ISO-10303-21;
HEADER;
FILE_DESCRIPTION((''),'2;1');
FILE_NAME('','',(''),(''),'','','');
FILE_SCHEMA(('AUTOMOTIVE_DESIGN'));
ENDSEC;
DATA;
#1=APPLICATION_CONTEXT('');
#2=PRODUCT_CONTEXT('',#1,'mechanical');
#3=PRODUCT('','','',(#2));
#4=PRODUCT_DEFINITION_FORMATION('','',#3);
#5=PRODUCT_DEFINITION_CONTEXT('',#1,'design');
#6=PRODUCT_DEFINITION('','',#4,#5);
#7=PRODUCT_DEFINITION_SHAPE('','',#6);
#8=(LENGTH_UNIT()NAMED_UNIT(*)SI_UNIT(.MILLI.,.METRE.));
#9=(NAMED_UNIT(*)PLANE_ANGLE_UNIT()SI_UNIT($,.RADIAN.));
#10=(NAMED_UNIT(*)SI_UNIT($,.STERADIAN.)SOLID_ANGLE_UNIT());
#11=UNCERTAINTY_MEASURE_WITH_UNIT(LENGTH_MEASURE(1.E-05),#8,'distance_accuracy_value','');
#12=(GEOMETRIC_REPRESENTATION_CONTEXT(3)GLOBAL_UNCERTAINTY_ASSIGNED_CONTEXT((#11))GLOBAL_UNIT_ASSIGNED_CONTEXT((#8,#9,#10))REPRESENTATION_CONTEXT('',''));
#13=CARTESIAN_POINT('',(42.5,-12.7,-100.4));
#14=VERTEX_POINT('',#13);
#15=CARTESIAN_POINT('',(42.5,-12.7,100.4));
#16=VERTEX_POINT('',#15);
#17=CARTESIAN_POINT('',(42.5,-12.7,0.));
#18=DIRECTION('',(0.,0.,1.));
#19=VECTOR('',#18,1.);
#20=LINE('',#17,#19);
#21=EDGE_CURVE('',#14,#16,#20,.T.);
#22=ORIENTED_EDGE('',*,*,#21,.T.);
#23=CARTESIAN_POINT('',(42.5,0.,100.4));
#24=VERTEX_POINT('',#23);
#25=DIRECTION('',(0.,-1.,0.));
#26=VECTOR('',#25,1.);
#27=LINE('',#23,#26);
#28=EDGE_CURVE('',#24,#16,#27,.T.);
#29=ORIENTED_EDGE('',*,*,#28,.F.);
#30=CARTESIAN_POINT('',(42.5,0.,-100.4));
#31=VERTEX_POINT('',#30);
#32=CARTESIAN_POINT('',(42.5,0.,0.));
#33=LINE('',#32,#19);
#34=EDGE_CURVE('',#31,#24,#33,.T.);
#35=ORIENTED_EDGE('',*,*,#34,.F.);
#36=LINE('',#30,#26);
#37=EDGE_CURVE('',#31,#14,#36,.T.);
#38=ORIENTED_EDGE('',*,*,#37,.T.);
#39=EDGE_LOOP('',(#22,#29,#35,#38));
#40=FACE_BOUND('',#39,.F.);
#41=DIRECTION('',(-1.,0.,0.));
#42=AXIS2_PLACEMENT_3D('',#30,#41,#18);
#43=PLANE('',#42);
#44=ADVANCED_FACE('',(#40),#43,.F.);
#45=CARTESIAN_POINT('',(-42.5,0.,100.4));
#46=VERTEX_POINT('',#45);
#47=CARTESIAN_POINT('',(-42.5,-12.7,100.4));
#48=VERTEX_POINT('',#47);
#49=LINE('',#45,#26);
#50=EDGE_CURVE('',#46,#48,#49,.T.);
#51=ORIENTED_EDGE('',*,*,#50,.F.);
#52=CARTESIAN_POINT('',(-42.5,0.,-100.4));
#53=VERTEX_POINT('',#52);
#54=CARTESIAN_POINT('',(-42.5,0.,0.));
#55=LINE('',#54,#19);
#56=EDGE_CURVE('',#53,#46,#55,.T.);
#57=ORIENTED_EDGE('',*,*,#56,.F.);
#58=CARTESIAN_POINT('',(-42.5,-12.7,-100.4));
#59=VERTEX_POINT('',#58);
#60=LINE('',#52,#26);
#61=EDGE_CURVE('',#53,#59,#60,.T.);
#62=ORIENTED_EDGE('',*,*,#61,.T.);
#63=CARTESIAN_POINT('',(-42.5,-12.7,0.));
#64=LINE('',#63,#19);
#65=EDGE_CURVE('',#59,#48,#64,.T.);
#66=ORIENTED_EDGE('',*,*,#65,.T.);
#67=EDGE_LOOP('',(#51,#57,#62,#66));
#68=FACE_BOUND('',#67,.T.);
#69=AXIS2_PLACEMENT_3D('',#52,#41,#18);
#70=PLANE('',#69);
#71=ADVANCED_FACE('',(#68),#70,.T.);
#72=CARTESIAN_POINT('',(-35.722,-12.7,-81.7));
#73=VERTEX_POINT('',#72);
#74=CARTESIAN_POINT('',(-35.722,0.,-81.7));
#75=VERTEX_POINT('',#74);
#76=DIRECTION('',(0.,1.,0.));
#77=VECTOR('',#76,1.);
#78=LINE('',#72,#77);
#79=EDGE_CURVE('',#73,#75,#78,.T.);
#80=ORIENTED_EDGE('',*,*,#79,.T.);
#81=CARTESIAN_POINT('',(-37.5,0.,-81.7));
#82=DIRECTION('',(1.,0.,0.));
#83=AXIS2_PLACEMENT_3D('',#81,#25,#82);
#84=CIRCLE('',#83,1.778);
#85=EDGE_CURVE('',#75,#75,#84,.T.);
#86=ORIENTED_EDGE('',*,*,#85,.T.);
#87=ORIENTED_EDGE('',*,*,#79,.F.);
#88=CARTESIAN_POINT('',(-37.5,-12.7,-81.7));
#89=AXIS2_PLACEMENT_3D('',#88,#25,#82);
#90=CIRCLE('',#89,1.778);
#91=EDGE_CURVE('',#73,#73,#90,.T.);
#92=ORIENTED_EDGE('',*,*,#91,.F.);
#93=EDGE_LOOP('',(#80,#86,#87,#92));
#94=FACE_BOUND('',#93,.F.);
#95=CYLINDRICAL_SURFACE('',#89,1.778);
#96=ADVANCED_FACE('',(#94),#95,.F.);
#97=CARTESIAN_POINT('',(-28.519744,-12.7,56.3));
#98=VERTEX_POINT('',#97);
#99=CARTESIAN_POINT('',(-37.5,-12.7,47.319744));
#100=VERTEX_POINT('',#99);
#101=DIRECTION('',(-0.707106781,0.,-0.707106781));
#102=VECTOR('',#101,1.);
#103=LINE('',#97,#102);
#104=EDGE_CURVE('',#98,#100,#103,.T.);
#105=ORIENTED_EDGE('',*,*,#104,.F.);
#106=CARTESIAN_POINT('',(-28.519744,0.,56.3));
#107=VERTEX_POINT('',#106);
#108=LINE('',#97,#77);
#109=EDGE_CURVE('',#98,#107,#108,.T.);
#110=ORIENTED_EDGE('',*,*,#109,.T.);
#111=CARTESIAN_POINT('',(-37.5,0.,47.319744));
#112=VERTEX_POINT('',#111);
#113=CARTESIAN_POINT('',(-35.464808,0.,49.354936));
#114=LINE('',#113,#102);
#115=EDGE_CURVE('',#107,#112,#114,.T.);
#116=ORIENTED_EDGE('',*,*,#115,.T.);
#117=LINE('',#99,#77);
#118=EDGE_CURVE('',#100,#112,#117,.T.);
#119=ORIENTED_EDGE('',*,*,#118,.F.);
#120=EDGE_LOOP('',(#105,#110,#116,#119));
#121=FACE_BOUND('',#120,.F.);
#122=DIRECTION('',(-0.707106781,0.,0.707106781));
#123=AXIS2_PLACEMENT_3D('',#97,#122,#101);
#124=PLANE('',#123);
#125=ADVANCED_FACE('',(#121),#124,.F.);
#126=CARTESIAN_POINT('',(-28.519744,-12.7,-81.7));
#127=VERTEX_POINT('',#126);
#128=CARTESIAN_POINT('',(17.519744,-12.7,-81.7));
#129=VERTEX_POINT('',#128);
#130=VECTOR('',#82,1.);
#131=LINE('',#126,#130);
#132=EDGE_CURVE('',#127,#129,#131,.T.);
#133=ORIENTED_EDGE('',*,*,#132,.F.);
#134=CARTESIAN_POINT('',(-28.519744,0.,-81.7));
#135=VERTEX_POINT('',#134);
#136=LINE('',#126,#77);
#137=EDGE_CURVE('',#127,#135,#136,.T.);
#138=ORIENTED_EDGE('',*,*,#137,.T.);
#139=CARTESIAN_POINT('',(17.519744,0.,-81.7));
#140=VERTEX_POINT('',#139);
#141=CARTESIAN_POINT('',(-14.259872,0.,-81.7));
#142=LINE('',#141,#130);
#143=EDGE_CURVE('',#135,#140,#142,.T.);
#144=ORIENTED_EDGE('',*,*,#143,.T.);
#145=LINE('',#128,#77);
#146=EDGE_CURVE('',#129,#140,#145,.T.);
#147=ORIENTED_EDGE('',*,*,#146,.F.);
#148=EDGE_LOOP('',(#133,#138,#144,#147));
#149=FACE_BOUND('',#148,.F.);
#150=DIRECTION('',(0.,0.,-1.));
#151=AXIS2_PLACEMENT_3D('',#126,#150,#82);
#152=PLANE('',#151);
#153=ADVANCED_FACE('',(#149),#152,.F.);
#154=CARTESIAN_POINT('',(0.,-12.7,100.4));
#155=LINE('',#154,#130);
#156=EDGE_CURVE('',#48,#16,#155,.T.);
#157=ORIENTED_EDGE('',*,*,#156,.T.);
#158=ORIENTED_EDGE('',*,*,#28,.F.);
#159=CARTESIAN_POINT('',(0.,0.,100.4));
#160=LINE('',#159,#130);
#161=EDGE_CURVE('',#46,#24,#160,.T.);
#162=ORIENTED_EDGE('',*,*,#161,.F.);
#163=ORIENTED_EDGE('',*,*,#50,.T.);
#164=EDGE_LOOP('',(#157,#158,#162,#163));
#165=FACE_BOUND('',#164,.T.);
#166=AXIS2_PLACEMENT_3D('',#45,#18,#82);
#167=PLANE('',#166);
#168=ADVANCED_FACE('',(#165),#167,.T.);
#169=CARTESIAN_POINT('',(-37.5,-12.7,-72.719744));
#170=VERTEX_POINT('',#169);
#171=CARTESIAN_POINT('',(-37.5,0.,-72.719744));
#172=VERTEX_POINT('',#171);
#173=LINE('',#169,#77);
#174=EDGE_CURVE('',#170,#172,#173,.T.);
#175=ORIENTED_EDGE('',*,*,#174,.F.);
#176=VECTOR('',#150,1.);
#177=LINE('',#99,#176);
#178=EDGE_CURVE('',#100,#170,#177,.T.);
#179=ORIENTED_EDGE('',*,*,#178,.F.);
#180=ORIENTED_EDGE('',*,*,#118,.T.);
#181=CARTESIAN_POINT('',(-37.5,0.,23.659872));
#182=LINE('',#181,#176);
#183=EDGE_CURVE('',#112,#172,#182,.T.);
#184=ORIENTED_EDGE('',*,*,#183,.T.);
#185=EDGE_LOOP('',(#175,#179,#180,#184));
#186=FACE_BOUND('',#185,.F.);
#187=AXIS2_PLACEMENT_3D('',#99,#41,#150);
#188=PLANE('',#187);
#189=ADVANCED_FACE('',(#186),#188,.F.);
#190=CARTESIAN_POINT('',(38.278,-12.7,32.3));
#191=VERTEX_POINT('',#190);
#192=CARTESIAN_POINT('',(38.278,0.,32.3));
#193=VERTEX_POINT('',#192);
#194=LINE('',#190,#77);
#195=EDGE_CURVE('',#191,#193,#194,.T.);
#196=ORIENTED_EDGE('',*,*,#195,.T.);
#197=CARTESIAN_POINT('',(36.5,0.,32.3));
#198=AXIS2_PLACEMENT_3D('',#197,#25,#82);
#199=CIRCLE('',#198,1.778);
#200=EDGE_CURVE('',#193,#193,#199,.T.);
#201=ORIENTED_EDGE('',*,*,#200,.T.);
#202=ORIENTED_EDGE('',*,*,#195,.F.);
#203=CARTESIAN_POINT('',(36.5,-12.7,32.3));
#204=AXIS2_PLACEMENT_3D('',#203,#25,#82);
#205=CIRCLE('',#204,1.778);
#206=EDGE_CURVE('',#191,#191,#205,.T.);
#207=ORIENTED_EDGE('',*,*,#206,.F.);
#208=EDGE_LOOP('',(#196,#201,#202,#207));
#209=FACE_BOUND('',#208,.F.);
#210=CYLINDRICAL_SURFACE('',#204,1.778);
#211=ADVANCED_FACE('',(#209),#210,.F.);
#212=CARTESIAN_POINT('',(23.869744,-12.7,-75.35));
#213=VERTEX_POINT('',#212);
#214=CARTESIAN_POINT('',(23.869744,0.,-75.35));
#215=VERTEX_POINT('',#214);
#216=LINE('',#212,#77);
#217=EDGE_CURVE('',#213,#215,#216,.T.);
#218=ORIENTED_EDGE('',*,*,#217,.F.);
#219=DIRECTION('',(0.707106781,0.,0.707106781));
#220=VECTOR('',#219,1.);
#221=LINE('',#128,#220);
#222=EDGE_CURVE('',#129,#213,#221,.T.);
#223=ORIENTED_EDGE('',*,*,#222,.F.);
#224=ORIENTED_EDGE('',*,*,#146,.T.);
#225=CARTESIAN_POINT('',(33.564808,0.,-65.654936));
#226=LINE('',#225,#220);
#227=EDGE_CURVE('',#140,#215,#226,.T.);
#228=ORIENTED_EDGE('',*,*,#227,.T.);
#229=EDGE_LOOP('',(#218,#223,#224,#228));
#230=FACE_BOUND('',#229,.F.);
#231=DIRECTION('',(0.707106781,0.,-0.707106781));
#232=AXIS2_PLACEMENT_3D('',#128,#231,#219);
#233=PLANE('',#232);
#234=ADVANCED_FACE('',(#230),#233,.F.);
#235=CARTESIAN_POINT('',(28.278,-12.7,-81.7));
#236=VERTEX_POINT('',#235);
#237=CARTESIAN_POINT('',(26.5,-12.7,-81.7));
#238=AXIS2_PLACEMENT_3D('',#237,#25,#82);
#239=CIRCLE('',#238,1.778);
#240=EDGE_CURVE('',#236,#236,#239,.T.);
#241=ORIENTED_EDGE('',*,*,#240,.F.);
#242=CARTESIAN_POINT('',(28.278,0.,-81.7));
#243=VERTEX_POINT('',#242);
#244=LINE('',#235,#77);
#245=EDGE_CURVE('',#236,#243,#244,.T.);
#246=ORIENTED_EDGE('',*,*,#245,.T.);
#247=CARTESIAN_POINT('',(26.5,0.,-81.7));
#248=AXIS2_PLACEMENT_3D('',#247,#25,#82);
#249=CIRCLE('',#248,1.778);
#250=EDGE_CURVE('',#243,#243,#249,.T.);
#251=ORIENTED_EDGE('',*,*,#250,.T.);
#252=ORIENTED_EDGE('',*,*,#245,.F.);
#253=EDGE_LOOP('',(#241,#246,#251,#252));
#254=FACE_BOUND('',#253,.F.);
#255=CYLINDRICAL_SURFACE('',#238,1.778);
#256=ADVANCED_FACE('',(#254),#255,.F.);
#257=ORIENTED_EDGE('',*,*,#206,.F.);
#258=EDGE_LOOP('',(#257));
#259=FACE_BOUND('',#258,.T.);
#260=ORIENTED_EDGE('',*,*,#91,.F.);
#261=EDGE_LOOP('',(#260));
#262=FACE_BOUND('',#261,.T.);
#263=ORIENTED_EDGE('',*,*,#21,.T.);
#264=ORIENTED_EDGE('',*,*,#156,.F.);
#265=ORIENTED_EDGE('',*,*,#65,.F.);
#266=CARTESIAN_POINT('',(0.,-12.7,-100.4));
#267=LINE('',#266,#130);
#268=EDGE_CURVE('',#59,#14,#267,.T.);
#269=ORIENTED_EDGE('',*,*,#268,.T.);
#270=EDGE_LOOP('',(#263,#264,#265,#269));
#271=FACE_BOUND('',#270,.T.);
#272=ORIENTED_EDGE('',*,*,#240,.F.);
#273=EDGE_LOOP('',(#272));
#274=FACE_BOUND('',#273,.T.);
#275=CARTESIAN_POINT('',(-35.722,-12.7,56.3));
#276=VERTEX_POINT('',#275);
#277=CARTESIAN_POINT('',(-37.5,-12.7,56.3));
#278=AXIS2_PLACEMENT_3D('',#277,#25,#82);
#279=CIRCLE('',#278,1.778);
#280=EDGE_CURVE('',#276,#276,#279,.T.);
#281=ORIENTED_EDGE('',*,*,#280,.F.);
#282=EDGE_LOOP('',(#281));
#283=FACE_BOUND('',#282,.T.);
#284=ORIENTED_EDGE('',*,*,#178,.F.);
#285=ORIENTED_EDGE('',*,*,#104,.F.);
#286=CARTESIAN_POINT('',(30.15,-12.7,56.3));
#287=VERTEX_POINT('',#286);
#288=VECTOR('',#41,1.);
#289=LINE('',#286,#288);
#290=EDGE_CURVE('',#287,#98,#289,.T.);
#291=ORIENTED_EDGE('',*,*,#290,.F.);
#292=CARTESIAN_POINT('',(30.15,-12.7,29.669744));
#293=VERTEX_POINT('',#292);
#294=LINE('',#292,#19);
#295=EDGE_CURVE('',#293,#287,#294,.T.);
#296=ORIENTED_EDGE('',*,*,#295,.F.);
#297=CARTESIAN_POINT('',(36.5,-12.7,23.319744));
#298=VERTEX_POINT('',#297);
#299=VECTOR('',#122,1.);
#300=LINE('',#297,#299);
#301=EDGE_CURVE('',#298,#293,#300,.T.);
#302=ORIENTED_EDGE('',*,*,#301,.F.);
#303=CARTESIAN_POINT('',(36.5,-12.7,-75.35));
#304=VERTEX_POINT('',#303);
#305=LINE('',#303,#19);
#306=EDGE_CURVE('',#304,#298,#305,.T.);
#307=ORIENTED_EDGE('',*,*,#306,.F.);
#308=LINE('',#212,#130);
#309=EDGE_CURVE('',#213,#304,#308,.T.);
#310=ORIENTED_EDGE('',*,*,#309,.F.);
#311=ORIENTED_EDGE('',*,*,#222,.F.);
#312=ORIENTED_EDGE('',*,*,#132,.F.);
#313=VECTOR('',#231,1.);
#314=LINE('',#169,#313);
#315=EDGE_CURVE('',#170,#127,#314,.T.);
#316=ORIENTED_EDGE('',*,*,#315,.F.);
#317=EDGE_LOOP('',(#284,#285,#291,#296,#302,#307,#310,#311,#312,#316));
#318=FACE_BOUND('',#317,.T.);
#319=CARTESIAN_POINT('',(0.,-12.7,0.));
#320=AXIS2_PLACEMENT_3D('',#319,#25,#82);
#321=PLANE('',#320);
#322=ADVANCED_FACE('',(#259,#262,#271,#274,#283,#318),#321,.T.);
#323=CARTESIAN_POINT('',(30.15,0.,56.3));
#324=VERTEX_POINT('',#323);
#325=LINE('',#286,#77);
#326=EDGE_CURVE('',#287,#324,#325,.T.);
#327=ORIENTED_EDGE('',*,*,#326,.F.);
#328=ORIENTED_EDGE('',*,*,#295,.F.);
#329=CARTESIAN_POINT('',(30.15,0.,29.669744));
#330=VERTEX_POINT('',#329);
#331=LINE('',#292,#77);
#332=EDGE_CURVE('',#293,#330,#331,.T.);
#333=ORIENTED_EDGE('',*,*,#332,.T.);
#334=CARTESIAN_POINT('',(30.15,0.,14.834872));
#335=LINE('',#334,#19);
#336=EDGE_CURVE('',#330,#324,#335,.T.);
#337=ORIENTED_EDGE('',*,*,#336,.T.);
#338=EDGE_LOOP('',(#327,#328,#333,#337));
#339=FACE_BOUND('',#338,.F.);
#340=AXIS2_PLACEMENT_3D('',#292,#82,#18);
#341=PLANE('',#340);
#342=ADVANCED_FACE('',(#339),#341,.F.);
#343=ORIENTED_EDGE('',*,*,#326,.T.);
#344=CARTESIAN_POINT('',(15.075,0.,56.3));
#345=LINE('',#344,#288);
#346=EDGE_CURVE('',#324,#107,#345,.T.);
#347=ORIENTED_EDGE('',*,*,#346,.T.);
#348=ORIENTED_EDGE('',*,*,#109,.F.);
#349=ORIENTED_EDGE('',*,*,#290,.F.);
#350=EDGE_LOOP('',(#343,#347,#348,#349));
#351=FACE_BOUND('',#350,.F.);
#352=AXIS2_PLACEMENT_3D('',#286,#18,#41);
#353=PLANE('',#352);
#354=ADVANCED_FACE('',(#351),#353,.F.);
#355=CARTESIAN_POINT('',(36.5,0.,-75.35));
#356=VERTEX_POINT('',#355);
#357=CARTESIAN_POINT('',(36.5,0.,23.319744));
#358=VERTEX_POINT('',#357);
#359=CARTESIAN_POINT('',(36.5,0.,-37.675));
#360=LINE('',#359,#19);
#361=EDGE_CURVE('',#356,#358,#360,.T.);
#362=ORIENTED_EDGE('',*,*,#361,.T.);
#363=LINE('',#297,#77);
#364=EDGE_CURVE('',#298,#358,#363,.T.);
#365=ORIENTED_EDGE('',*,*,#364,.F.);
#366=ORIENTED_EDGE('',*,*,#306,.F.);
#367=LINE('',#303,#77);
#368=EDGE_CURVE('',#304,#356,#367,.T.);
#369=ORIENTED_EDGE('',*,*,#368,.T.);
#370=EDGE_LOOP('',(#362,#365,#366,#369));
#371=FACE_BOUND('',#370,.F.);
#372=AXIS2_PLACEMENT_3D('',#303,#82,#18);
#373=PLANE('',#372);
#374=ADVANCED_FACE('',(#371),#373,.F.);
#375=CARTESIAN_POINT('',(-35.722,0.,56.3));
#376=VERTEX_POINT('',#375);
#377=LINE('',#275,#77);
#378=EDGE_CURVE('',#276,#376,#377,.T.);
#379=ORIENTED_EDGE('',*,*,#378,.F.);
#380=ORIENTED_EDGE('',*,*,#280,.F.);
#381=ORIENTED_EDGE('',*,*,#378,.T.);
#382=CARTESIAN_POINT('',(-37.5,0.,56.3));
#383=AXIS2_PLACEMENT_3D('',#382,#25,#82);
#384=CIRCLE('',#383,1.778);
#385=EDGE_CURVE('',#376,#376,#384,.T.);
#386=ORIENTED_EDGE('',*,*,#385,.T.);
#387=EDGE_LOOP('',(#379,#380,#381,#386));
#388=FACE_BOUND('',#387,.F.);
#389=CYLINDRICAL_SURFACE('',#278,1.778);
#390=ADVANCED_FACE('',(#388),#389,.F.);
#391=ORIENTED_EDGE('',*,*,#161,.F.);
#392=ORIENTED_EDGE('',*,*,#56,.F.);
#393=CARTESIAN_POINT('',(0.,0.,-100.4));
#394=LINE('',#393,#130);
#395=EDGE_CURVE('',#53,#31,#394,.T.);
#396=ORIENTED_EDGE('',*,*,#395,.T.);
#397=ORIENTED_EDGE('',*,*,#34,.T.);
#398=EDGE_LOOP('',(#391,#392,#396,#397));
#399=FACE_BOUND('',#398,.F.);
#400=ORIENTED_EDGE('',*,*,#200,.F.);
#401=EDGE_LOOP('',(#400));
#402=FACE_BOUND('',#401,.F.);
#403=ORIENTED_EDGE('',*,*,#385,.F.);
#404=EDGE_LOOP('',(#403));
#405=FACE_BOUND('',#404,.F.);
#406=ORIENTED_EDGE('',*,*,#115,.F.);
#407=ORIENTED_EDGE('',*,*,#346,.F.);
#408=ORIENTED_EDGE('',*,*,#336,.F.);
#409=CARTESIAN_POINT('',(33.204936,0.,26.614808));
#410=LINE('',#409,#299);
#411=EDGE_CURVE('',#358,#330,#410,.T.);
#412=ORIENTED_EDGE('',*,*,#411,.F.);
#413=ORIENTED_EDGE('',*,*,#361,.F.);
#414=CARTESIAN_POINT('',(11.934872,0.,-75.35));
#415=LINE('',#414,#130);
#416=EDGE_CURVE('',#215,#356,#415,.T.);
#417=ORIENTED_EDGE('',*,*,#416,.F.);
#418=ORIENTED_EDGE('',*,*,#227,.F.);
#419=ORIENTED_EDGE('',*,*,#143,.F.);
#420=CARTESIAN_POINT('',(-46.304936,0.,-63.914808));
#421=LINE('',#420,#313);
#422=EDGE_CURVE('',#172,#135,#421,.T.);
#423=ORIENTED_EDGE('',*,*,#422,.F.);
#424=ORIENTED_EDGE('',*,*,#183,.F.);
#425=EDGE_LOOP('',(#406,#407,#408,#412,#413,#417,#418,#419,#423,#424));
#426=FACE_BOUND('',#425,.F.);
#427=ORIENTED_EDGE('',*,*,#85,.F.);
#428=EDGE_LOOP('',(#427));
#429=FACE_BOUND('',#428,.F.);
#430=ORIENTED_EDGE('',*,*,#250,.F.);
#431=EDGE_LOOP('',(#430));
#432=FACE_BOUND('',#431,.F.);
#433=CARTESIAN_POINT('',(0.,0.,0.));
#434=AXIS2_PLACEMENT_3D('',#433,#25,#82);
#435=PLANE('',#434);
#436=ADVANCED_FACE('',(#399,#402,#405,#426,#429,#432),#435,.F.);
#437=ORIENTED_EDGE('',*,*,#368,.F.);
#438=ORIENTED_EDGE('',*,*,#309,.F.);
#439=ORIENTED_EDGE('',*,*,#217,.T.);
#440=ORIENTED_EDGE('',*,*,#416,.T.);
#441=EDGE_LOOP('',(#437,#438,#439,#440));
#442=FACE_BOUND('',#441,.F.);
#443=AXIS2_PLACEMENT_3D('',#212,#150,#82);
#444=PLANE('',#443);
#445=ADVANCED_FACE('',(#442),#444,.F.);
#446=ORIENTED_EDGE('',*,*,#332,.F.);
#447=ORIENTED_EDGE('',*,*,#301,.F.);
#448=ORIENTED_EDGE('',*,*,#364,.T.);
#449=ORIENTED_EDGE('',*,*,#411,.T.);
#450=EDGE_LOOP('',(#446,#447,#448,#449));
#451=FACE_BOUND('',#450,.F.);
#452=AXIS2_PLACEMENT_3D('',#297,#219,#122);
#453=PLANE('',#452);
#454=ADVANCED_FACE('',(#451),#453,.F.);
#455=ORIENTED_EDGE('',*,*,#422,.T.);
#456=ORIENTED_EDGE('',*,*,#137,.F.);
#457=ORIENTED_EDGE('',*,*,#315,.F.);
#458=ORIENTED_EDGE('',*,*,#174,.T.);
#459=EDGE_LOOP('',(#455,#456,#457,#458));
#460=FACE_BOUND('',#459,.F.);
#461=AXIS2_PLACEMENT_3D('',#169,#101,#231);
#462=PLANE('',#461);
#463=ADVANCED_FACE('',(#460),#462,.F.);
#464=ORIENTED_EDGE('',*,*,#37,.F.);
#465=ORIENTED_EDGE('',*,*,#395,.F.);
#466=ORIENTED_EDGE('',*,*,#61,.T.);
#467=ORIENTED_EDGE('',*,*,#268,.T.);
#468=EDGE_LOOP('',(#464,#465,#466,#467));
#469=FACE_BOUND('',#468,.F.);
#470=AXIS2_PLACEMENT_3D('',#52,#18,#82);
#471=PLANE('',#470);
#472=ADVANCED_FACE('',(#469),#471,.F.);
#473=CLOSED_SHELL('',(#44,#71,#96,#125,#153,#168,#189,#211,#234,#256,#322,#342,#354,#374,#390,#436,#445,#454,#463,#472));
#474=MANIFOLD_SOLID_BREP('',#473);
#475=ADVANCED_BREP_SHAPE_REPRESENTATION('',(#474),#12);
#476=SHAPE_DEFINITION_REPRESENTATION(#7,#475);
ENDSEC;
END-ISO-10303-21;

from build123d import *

# Parameters (mm, degrees)
F0_W     = 85
F0_H     = 200.8
F1_DEPTH = 12.7
F3_R     = 1.778
F4_DEPTH = 12.701
F5_R     = 1.778
F6_DEPTH = 12.701


with BuildPart() as f1:
    # F0 (on Front) → F1 (new body)
    with BuildSketch(Plane.XZ):
        Rectangle(F0_W, F0_H)
    extrude(amount=F1_DEPTH)

    # F3 (on face) → F4 (cut, through all)
    with BuildSketch(Plane.XZ.offset(12.7)):
        with Locations((-37.5, 56.3)):
            Circle(F3_R)
        with Locations((36.5, 32.3)):
            Circle(F3_R)
        with Locations((26.5, -81.7)):
            Circle(F3_R)
        with Locations((-37.5, -81.7)):
            Circle(F3_R)
    extrude(amount=-F4_DEPTH, mode=Mode.SUBTRACT)

    # F5 (on face) → F6 (cut, through all)
    with BuildSketch(Plane.XZ.offset(12.7)):
        Polygon((-28.519744, 56.3), (-37.5, 47.319744), (-37.5, -72.719744), (-28.519744, -81.7), (17.519744, -81.7), (23.869744, -75.35), (36.5, -75.35), (36.5, 23.319744), (30.15, 29.669744), (30.15, 56.3), align=None)
        with Locations((36.5, 32.3)):
            Circle(F5_R)
        with Locations((-37.5, -81.7)):
            Circle(F5_R)
        with Locations((26.5, -81.7)):
            Circle(F5_R)
    extrude(amount=-F6_DEPTH, mode=Mode.SUBTRACT)


solid = f1.part
